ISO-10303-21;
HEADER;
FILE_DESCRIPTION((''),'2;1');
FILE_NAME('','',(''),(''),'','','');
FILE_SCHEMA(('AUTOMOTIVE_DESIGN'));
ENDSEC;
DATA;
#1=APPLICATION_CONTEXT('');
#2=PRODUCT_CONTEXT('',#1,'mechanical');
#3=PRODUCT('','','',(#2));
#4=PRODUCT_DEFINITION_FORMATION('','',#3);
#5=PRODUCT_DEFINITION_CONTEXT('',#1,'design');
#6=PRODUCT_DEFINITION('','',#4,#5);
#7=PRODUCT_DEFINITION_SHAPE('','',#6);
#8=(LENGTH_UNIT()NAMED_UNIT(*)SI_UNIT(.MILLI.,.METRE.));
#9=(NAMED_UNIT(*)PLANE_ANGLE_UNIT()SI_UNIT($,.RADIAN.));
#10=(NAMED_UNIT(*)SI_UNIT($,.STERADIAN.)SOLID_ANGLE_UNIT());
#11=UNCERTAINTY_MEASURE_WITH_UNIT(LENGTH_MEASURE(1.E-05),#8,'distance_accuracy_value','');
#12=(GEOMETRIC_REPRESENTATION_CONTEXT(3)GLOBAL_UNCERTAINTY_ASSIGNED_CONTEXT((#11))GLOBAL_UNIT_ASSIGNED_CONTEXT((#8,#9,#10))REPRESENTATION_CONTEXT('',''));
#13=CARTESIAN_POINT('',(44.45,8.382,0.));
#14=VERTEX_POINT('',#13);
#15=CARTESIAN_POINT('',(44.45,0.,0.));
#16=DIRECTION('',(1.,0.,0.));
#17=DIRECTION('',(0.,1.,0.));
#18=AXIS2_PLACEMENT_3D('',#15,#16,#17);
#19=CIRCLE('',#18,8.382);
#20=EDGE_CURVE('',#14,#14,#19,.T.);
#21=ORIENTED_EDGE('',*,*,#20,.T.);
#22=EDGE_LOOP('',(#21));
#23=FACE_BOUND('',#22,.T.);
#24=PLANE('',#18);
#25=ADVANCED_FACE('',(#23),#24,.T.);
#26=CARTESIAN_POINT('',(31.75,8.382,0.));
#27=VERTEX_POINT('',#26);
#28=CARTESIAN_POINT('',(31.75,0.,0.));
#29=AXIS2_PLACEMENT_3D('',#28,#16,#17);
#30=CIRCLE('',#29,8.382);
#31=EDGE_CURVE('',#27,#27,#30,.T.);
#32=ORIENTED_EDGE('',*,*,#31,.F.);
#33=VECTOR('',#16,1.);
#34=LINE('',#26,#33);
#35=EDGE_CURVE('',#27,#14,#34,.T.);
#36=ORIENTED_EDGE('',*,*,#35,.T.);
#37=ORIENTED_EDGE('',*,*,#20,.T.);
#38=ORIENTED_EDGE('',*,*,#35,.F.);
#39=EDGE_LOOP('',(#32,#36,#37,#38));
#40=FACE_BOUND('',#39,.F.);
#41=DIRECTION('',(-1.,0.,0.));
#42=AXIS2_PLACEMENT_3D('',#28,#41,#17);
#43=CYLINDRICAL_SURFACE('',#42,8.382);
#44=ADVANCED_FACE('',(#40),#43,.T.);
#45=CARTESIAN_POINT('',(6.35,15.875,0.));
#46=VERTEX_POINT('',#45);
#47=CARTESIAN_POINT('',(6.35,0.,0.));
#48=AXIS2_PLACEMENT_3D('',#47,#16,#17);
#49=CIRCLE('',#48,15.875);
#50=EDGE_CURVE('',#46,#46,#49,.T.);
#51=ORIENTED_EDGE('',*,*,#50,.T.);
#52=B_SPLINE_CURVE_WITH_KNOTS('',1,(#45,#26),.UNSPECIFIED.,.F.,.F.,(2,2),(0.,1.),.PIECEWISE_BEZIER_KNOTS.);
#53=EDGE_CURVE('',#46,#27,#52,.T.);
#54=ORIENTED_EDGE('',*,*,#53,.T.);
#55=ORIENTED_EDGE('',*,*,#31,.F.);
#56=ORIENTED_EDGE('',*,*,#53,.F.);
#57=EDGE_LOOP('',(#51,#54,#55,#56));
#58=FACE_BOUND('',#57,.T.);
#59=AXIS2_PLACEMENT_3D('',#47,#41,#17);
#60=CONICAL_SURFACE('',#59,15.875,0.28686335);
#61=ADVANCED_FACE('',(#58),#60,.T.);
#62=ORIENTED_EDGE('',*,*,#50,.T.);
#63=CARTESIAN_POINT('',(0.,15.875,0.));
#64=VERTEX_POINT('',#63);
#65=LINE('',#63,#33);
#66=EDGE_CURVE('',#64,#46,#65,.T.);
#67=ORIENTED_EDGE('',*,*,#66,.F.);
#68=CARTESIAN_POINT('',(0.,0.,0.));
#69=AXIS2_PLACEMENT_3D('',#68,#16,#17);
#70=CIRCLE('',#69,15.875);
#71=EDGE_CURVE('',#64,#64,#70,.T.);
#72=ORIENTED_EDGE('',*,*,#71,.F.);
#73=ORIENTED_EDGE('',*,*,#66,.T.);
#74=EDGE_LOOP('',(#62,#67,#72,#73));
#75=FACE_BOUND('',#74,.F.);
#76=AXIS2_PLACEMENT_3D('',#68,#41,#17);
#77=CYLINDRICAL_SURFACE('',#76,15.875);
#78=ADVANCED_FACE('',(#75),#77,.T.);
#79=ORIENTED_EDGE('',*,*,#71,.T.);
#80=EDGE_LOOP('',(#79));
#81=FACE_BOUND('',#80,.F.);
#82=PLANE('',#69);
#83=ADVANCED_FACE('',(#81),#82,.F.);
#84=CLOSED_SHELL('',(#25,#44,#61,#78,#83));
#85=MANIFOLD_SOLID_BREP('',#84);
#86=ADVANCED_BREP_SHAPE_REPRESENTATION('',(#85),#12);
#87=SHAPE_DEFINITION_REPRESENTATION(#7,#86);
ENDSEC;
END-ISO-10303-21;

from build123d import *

# Parameters (mm, degrees)
F0_R      = 15.875
F1_DEPTH  = 6.35
F1_FACE_R = 15.875
F3_R      = 8.382
F5_R      = 8.382
F6_DEPTH  = 12.7


with BuildPart() as f1:
    # F0 (on Right) → F1 (new body)
    with BuildSketch(Plane.YZ):
        Circle(F0_R)
    extrude(amount=F1_DEPTH)

    # F1_face (on face) → F4 section 0
    with BuildSketch(Plane.YZ.offset(6.35)):
        Circle(F1_FACE_R)
    # F3 (on offset) → F4 section 1
    with BuildSketch(Plane.YZ.offset(31.75)):
        Circle(F3_R)
    loft()

    # F5 (on face) → F6 (join)
    with BuildSketch(Plane.YZ.offset(31.75)):
        Circle(F5_R)
    extrude(amount=F6_DEPTH)


solid = f1.part
